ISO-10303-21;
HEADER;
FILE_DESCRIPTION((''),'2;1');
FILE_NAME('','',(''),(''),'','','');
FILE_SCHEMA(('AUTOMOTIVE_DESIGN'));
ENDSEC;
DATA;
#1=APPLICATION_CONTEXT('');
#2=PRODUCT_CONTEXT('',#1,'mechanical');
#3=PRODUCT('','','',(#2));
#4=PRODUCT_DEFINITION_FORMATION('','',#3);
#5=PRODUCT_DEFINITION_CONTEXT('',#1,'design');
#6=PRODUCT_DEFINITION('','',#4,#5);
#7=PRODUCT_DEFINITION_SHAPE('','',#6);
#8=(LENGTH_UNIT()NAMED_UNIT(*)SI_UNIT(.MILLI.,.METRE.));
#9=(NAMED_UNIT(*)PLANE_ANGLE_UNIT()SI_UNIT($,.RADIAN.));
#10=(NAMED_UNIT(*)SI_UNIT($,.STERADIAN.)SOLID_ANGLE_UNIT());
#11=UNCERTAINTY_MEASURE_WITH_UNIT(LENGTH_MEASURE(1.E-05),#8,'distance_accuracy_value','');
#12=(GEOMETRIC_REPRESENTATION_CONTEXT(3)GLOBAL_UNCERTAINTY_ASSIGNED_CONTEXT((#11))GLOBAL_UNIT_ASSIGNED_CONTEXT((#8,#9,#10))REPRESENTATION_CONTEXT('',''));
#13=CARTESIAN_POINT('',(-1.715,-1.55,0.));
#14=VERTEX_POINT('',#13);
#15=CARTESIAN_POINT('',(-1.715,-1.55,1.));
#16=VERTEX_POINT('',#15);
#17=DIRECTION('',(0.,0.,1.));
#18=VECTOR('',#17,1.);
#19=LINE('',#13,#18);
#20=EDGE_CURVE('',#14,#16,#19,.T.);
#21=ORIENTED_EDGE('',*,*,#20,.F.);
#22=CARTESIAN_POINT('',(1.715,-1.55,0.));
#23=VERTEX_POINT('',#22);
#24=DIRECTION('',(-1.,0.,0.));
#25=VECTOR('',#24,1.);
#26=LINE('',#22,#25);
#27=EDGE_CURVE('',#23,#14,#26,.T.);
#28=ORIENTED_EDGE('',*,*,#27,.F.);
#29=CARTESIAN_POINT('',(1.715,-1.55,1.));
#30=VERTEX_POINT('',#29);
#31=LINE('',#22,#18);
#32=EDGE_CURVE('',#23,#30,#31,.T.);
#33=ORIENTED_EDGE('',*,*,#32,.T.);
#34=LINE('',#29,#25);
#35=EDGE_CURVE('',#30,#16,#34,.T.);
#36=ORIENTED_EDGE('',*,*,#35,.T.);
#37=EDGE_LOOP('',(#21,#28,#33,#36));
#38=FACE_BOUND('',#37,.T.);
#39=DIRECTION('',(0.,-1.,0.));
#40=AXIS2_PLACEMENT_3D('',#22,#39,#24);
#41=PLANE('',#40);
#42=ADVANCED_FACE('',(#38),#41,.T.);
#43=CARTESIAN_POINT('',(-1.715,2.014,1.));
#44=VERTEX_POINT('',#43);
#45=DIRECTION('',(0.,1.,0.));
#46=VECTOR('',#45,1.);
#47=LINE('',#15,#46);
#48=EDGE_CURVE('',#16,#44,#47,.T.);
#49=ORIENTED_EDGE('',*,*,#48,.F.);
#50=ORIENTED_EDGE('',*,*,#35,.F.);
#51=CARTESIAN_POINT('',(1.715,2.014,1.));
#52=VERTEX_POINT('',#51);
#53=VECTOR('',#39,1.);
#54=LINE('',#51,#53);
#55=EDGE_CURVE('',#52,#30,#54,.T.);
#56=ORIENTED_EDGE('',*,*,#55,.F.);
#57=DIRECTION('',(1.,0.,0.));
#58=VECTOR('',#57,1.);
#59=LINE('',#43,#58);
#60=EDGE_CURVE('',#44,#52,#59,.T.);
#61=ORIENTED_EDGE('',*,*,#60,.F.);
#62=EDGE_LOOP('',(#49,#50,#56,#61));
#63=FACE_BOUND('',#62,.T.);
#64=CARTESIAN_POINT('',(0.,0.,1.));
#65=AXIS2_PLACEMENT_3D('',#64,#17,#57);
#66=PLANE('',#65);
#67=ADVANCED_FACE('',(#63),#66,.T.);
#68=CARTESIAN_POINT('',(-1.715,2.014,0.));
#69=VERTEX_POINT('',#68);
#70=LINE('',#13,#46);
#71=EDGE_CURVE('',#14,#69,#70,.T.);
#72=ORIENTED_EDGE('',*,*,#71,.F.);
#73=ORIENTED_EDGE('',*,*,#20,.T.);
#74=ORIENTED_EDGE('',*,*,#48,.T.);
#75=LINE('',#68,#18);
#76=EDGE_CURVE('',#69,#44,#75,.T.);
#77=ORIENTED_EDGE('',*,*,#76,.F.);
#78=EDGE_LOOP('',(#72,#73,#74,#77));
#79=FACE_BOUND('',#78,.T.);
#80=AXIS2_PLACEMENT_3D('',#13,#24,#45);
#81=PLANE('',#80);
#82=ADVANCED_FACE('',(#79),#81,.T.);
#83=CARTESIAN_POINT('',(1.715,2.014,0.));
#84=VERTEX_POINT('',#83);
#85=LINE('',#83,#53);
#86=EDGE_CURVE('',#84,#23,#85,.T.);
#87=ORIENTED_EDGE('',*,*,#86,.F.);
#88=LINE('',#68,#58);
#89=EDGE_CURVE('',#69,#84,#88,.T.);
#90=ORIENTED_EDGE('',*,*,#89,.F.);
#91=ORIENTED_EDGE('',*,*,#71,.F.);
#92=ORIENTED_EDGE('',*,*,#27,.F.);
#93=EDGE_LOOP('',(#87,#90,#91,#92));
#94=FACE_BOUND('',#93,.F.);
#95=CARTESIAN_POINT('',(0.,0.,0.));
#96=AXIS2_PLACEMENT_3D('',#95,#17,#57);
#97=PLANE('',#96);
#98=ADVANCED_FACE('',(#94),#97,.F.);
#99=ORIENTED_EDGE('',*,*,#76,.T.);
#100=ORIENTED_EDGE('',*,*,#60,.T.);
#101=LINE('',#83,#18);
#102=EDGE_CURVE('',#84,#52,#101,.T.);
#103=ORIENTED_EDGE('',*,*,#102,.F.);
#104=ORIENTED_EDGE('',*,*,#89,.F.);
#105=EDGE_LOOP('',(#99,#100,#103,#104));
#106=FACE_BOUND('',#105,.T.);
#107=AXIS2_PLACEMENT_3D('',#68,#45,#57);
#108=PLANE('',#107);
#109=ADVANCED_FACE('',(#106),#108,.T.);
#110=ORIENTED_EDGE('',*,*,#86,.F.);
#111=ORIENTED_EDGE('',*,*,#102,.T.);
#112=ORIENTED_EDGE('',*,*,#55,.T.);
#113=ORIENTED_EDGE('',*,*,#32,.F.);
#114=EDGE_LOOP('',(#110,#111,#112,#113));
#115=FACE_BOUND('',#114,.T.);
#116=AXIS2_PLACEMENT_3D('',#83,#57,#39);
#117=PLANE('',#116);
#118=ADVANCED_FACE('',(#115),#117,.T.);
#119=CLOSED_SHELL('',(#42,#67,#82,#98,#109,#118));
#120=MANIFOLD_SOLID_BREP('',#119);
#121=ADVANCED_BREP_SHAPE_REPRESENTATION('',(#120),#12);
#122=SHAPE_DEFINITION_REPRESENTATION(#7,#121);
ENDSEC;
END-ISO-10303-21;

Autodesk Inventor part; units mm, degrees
ref_plane "YZ Plane" through (0, 0, 0) normal (1, 0, 0) x (0, 1, 0)
ref_plane "XZ Plane" through (0, 0, 0) normal (0, 1, 0) x (-1, 0, 0)
ref_plane "XY Plane" through (0, 0, 0) normal (0, 0, 1) x (1, 0, 0)
sketch "SOT23, NPN_SM_204" plane through (0, 0, 0) normal (0, 0, 1) x (1, 0, 0)
  line L0 (-1.715, -1.55) -> (-1.715, 2.014)
  line L1 (-1.715, 2.014) -> (1.715, 2.014)
  line L2 (1.715, 2.014) -> (1.715, -1.55)
  line L3 (1.715, -1.55) -> (-1.715, -1.55)
extrude "Extrusion1" add sketch "SOT23, NPN_SM_204" along normal blind 1
properties part number "NPN_SM"
